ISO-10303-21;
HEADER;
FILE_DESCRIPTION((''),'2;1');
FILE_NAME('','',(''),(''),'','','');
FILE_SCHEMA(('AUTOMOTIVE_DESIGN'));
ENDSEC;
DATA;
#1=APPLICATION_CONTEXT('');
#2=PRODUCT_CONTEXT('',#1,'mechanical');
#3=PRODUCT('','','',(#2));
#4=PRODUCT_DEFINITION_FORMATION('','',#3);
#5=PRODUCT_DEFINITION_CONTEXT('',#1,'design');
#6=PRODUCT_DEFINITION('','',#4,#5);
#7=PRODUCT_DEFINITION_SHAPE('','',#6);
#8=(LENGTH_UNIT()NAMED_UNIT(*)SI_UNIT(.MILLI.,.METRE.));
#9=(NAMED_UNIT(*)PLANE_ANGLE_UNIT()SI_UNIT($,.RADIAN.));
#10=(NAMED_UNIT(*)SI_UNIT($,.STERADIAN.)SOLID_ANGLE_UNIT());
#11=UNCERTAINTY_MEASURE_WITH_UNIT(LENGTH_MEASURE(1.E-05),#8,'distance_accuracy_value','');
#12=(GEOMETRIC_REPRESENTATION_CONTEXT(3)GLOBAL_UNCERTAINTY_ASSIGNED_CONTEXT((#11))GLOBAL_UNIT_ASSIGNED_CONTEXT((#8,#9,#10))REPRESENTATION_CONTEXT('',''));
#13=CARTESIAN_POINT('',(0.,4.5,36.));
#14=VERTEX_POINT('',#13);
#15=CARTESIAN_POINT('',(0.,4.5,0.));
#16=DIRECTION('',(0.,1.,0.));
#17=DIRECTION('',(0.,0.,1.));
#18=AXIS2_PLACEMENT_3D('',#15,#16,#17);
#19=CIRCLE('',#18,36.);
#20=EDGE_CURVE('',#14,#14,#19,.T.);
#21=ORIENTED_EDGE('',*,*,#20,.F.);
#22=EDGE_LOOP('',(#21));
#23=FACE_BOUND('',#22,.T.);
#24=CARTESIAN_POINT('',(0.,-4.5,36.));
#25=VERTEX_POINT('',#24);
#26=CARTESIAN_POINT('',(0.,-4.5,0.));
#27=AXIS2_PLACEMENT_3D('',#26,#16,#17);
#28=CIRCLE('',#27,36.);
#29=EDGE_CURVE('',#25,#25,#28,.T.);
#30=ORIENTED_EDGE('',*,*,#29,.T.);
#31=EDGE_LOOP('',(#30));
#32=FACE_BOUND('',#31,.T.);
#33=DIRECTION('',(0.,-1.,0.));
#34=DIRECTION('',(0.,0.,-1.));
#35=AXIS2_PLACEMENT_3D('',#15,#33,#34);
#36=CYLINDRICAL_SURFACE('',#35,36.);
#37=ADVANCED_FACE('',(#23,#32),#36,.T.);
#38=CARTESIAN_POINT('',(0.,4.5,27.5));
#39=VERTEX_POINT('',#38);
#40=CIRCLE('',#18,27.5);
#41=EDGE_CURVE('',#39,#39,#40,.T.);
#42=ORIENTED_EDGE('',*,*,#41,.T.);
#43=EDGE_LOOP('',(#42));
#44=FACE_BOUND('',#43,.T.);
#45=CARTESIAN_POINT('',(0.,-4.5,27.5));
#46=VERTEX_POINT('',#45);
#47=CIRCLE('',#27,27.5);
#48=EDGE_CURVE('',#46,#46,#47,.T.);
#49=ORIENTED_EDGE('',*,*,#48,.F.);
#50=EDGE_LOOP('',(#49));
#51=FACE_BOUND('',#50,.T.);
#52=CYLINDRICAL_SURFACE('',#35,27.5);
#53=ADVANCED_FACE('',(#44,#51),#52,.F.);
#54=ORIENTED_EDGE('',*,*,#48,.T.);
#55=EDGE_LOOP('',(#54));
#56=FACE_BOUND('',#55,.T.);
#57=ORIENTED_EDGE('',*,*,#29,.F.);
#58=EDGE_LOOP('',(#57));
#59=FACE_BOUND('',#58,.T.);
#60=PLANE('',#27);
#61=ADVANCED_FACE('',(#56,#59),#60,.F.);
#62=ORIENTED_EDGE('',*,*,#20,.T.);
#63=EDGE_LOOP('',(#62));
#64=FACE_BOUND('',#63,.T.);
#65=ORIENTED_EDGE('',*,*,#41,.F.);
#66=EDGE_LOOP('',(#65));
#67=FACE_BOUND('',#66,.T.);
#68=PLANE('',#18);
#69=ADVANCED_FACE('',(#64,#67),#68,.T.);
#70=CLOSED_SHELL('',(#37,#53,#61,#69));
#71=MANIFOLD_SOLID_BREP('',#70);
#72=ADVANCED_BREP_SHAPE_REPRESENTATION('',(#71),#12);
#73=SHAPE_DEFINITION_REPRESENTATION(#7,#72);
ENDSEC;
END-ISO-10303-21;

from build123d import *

# Parameters (mm, degrees)
SKETCH1_R           = 36
SKETCH1_R_2         = 27.5
BOSS_EXTRUDE1_DEPTH = 4.5


with BuildPart() as part:
    # Sketch1 → Boss-Extrude1 (new, symmetric)
    with BuildSketch(Plane(origin=(0, 0, 0), x_dir=(1, 0, 0), z_dir=(0, 1, 0))):
        with Locations(Location((0, 0, 0), (0, 0, 270))):
            Circle(SKETCH1_R)
        with Locations(Location((0, 0, 0), (0, 0, 270))):
            Circle(SKETCH1_R_2, mode=Mode.SUBTRACT)
    extrude(amount=BOSS_EXTRUDE1_DEPTH, both=True)


solid = part.part
